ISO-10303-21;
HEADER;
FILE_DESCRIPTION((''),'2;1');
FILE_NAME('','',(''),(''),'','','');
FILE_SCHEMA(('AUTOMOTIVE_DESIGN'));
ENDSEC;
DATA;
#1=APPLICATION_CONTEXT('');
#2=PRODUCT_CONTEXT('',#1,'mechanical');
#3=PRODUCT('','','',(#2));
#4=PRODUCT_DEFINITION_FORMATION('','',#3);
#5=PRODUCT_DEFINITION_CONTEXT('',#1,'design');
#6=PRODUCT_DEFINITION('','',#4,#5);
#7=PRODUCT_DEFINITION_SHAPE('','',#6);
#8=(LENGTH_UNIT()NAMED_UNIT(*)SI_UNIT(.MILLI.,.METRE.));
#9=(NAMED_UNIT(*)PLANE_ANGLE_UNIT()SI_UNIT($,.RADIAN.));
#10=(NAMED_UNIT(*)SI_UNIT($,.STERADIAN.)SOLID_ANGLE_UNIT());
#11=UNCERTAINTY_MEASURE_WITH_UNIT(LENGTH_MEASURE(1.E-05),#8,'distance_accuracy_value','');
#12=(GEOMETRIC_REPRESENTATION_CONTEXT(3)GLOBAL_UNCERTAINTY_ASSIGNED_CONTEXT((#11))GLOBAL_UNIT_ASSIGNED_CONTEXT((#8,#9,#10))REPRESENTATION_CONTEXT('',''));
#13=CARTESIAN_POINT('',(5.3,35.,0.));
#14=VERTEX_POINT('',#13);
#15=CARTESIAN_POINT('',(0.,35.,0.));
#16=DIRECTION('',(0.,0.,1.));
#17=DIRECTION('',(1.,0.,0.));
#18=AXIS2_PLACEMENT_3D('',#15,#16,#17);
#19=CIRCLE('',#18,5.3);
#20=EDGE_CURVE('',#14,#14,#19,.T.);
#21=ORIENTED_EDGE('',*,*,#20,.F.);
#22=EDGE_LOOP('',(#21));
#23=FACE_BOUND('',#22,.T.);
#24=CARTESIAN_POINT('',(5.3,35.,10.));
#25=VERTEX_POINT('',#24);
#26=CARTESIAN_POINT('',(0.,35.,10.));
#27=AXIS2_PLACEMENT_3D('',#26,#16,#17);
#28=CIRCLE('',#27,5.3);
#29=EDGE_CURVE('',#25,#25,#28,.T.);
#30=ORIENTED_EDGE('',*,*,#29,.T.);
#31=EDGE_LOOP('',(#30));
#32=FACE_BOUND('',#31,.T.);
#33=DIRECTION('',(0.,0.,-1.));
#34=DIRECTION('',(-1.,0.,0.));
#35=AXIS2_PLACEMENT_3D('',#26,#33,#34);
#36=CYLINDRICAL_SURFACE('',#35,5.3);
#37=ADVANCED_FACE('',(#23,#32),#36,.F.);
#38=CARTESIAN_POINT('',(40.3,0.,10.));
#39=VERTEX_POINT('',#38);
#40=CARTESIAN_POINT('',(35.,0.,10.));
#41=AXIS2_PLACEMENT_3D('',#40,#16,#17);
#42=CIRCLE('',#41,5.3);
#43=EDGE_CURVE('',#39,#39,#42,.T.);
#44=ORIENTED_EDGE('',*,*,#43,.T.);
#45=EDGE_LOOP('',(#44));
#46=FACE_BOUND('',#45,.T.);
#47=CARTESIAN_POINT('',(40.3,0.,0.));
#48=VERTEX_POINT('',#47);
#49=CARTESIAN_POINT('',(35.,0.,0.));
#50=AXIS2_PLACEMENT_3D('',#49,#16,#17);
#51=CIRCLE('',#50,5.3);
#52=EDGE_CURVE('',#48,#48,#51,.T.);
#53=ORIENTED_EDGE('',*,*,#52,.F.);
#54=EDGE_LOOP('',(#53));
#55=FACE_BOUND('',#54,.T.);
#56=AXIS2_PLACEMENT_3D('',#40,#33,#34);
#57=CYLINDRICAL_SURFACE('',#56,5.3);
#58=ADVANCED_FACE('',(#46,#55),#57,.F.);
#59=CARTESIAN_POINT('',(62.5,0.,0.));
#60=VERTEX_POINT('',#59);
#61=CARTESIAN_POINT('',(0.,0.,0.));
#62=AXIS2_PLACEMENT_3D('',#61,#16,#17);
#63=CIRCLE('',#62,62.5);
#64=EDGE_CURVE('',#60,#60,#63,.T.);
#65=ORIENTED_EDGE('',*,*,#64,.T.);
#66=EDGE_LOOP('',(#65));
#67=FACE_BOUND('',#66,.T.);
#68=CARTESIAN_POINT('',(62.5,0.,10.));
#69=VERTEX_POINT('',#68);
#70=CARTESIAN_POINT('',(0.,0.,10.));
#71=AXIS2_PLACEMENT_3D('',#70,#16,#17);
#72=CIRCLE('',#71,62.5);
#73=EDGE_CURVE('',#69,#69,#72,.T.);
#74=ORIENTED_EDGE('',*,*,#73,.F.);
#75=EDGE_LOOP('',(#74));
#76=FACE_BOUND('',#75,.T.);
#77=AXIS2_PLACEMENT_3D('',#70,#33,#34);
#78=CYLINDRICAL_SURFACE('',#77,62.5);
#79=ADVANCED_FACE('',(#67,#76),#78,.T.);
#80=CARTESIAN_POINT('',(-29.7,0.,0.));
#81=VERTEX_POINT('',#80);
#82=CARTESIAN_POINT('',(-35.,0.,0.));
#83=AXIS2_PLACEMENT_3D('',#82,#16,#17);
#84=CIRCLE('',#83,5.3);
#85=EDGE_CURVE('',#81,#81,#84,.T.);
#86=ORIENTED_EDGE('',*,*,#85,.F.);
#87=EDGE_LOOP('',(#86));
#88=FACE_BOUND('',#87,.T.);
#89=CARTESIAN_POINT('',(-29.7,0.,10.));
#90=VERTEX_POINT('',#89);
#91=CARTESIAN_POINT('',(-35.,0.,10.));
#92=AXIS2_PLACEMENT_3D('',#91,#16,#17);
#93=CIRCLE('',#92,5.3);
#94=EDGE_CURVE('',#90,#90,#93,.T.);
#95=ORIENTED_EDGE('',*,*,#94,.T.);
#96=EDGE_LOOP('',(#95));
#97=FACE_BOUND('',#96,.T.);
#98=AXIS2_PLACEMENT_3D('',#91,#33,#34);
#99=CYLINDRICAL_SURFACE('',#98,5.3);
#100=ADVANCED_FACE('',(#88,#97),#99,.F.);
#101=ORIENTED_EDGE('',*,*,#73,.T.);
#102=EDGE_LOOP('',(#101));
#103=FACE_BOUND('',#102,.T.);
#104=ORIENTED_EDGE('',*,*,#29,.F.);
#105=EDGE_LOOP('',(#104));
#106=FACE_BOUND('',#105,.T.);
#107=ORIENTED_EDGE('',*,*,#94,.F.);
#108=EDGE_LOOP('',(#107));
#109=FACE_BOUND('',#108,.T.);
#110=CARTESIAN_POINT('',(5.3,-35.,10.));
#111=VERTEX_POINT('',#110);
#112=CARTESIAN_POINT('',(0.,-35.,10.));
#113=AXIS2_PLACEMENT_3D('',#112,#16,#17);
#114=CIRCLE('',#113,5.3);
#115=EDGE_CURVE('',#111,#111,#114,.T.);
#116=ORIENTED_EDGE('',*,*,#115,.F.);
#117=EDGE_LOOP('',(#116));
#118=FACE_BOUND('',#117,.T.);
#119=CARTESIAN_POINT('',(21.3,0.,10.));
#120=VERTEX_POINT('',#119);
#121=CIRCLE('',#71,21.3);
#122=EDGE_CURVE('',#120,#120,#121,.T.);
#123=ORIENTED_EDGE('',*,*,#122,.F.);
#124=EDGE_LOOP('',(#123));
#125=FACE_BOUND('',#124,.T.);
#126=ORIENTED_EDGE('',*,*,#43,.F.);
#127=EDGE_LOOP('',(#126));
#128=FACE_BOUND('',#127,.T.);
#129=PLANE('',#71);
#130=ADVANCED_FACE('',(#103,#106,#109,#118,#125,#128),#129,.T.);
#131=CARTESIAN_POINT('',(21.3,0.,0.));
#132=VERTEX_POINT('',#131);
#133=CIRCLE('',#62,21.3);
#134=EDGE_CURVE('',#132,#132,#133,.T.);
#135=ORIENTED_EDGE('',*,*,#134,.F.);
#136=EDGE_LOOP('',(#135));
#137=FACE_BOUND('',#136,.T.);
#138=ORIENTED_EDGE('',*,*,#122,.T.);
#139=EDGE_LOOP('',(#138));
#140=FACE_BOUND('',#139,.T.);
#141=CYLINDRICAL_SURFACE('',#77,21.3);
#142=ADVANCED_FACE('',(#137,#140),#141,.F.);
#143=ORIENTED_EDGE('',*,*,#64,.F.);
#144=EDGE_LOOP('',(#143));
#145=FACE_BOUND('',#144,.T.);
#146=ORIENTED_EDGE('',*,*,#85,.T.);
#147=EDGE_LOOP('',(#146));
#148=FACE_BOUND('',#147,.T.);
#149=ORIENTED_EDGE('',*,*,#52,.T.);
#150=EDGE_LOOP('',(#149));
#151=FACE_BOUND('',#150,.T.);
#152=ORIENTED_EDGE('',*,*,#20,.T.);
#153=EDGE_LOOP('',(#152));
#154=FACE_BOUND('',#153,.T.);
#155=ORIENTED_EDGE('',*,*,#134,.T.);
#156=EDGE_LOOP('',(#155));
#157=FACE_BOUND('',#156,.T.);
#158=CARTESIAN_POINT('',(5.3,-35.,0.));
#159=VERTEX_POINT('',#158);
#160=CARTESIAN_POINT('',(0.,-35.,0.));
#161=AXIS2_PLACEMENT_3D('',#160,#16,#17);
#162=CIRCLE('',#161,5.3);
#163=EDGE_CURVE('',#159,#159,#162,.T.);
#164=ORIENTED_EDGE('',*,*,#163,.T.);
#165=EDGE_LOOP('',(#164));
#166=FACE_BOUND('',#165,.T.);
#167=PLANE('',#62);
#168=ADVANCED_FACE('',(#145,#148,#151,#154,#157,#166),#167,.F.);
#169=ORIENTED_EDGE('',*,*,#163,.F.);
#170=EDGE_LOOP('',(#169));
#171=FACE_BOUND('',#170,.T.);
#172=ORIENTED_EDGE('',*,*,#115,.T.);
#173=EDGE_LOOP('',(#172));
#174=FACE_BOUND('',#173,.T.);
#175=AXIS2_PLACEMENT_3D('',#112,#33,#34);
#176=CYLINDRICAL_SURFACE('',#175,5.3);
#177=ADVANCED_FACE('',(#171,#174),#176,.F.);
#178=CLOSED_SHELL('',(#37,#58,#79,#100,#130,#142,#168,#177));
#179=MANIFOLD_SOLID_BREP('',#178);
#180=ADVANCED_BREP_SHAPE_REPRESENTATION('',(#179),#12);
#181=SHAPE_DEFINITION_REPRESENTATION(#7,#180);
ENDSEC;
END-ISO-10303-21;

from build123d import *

# Parameters (mm, degrees)
SZKIC1_R                    = 62.5
SZKIC1_R_2                  = 5.3
SZKIC1_R_3                  = 21.3
DODANIE_WYCI_GNI_CIE3_DEPTH = 10


with BuildPart() as part:
    # Szkic1 → Dodanie-wyciągnięcie3 (new body)
    with BuildSketch(Plane.XY):
        Circle(SZKIC1_R)
        with Locations((0, 35)):
            Circle(SZKIC1_R_2, mode=Mode.SUBTRACT)
        with Locations((35, 0)):
            Circle(SZKIC1_R_2, mode=Mode.SUBTRACT)
        with Locations((0, -35)):
            Circle(SZKIC1_R_2, mode=Mode.SUBTRACT)
        with Locations((-35, 0)):
            Circle(SZKIC1_R_2, mode=Mode.SUBTRACT)
        Circle(SZKIC1_R_3, mode=Mode.SUBTRACT)
    extrude(amount=DODANIE_WYCI_GNI_CIE3_DEPTH)


solid = part.part
